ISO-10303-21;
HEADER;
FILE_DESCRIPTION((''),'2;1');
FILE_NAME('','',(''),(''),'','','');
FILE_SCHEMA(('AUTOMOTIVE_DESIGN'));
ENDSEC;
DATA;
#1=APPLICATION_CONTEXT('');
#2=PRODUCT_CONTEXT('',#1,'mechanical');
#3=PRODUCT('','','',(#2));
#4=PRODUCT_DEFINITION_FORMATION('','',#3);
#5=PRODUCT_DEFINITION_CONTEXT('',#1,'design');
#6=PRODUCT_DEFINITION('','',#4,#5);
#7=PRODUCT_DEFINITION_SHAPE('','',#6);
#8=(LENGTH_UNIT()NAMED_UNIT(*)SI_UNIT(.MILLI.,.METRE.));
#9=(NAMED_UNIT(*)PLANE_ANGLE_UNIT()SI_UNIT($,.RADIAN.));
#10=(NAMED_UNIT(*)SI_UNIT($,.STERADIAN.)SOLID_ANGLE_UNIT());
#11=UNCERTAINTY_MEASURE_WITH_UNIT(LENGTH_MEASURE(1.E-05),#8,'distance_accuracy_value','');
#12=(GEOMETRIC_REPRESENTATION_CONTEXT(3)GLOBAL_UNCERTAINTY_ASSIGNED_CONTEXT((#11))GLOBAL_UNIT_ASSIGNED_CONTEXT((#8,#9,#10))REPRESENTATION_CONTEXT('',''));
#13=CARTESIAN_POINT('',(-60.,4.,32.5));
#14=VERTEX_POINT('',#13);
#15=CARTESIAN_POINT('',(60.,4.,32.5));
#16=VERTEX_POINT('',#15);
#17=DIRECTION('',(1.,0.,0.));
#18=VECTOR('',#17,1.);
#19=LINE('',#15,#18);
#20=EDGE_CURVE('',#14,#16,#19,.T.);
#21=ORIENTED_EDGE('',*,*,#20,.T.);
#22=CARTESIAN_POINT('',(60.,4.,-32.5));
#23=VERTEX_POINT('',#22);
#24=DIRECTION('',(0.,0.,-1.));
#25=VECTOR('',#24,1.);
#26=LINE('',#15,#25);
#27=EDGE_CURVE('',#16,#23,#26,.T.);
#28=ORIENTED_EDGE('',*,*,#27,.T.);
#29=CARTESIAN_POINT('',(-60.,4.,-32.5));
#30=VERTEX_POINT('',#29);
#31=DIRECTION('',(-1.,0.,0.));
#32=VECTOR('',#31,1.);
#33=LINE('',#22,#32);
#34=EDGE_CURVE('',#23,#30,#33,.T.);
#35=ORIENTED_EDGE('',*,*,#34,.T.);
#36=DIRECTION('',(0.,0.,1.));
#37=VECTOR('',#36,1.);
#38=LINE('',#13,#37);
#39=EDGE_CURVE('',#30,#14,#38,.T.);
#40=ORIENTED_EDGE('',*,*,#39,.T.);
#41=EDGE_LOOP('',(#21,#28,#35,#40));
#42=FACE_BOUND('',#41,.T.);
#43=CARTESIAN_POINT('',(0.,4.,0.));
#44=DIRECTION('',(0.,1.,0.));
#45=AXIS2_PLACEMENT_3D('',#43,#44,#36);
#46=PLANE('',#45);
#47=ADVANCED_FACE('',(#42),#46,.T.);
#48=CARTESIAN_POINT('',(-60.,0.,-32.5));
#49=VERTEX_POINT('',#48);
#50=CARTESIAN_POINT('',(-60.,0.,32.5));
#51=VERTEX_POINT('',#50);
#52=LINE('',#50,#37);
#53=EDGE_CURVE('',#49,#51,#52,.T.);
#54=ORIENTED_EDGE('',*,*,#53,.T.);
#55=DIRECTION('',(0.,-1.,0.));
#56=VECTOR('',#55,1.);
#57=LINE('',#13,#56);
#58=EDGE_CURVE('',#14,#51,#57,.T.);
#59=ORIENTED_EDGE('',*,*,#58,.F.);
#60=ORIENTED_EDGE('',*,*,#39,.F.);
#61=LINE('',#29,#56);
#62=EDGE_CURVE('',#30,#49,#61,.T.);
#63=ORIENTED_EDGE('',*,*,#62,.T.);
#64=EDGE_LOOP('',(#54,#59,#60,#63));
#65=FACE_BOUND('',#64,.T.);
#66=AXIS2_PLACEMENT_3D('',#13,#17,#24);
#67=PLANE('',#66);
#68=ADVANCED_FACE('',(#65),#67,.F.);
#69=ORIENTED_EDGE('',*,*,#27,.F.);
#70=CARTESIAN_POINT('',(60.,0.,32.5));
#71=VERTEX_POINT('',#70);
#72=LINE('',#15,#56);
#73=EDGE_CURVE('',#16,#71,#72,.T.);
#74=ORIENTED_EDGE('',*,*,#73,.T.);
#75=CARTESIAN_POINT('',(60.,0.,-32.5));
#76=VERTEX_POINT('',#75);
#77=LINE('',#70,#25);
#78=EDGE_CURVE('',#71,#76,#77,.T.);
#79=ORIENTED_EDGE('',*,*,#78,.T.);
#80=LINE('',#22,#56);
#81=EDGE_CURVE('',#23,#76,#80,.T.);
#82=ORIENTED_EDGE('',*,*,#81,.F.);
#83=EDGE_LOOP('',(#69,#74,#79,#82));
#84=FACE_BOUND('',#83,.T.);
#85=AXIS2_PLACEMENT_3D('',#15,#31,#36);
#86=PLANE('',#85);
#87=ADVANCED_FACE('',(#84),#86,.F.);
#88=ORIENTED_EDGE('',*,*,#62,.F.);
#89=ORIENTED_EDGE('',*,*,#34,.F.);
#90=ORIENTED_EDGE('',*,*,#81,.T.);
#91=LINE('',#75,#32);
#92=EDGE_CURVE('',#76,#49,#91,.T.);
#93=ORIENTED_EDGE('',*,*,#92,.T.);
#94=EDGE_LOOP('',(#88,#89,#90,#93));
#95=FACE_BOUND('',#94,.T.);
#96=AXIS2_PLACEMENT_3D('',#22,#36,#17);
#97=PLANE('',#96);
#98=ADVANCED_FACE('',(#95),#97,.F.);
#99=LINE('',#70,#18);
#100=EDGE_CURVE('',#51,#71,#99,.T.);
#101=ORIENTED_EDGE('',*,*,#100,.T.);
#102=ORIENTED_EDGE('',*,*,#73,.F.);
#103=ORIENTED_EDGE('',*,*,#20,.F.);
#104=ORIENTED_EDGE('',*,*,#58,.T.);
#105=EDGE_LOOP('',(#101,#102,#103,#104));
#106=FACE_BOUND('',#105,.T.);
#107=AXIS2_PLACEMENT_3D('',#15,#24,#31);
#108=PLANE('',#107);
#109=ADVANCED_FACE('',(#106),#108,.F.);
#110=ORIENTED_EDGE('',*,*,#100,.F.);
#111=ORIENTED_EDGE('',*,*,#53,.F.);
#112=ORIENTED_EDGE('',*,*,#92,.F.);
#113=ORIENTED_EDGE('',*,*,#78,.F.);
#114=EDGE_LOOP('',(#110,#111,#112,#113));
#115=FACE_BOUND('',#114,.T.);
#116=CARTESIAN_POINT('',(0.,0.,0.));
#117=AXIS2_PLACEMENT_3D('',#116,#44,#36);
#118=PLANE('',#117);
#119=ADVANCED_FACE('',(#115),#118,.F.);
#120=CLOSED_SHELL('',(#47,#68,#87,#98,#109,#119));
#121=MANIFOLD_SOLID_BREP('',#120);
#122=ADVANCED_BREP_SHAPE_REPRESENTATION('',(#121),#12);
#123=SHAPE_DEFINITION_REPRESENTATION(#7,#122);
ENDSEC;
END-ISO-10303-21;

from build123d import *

# Parameters (mm, degrees)
FACE_PLATE_W         = 120
FACE_PLATE_H         = 65
FACE_PLATE_EXT_DEPTH = 4


with BuildPart() as part:
    # Face Plate → Face Plate Ext (new body)
    with BuildSketch(Plane(origin=(0, 0, 0), x_dir=(1, 0, 0), z_dir=(0, 1, 0))):
        Rectangle(FACE_PLATE_W, FACE_PLATE_H)
    extrude(amount=FACE_PLATE_EXT_DEPTH)


solid = part.part
